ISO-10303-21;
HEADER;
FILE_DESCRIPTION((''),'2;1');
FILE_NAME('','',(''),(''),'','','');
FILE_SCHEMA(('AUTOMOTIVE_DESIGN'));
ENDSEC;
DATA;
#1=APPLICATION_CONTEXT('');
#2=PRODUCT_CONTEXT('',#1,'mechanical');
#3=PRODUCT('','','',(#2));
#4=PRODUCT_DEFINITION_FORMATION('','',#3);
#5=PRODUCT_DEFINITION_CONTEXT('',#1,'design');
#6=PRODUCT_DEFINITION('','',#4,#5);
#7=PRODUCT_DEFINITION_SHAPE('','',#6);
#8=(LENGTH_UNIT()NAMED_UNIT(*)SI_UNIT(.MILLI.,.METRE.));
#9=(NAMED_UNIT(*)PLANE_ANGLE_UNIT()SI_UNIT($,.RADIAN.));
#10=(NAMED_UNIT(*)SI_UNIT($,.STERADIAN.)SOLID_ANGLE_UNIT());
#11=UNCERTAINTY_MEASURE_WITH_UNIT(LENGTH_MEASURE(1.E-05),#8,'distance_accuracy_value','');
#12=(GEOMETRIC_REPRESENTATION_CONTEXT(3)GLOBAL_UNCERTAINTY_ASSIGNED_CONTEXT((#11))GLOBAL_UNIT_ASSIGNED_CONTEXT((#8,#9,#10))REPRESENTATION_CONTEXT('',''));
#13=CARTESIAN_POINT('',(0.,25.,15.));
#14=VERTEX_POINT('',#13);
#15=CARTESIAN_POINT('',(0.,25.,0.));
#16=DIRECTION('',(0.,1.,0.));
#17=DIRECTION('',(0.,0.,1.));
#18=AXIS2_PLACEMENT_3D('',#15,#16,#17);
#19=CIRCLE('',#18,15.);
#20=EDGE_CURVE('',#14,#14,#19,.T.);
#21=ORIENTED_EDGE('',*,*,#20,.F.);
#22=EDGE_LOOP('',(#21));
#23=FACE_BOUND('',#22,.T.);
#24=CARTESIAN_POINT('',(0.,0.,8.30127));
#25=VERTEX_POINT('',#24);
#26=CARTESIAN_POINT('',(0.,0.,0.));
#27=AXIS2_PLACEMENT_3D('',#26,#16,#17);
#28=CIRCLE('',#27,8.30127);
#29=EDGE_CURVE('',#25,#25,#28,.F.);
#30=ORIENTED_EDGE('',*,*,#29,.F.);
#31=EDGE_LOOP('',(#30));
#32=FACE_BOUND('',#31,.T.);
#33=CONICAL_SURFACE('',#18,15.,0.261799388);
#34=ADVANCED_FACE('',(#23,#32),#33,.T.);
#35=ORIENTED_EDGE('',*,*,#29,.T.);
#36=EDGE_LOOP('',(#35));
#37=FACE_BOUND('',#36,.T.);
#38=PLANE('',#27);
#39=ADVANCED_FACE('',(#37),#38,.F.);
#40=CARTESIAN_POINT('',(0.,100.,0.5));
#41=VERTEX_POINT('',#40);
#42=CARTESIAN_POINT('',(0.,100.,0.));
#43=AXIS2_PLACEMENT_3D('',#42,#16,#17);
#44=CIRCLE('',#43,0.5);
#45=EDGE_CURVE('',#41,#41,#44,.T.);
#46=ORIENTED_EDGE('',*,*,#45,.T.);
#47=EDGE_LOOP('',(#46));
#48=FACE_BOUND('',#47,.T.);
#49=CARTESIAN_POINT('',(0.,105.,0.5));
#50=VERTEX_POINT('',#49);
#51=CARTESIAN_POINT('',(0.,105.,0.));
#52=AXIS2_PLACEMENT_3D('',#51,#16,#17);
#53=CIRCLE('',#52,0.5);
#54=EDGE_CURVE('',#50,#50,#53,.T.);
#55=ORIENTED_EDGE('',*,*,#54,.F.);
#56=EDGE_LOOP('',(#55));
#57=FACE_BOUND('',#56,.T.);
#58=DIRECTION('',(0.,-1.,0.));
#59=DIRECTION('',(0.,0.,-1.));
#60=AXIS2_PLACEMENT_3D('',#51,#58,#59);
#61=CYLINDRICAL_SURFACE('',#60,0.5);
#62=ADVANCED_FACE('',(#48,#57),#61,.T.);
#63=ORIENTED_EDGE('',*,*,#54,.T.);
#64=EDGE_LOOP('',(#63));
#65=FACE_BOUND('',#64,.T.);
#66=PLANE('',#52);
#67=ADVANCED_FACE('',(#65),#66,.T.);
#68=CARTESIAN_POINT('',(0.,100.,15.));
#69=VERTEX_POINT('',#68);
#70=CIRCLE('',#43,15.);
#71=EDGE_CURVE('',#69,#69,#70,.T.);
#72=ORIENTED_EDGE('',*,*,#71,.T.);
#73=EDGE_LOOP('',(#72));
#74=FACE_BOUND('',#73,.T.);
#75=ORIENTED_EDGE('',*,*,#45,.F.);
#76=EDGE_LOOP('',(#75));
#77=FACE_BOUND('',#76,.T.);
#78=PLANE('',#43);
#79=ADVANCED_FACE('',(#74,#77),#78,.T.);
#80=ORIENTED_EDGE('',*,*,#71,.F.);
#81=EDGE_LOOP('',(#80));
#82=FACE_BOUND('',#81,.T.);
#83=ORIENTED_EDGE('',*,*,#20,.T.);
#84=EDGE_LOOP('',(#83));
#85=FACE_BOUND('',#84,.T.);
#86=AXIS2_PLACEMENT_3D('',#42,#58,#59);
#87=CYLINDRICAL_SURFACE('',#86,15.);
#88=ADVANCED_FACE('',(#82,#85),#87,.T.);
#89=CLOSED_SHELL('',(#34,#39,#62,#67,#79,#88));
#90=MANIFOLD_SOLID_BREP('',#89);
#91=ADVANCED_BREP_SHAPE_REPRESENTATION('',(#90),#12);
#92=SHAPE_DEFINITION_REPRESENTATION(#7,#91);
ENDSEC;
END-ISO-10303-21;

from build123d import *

# Parameters (mm, degrees)
SKETCH2_R           = 15
BOSS_EXTRUDE1_DEPTH = 100
CHAMFER1_SIZE       = 25
CHAMFER1_SIZE2      = 6.698729811
SKETCH3_R           = 0.5
BOSS_EXTRUDE2_DEPTH = 5


with BuildPart() as part:
    # Sketch2 → Boss-Extrude1 (new body)
    with BuildSketch(Plane(origin=(0, 0, 0), x_dir=(1, 0, 0), z_dir=(0, 1, 0))):
        Circle(SKETCH2_R)
    extrude(amount=BOSS_EXTRUDE1_DEPTH)

    # Chamfer1
    chamfer1_edges = [part.edges().sort_by_distance(p)[0] for p in [
        (-15, 0, 0),
    ]]
    chamfer1_side = [part.faces().sort_by_distance(p)[0] for p in [
        (-15, 50, 0),
    ]]
    chamfer(chamfer1_edges, length=CHAMFER1_SIZE, length2=CHAMFER1_SIZE2, reference=chamfer1_side[0])

    # Sketch3 → Boss-Extrude2 (add)
    with BuildSketch(Plane(origin=(0, 100, 0), x_dir=(1, 0, 0), z_dir=(0, 1, 0))):
        Circle(SKETCH3_R)
    extrude(amount=BOSS_EXTRUDE2_DEPTH)


solid = part.part
